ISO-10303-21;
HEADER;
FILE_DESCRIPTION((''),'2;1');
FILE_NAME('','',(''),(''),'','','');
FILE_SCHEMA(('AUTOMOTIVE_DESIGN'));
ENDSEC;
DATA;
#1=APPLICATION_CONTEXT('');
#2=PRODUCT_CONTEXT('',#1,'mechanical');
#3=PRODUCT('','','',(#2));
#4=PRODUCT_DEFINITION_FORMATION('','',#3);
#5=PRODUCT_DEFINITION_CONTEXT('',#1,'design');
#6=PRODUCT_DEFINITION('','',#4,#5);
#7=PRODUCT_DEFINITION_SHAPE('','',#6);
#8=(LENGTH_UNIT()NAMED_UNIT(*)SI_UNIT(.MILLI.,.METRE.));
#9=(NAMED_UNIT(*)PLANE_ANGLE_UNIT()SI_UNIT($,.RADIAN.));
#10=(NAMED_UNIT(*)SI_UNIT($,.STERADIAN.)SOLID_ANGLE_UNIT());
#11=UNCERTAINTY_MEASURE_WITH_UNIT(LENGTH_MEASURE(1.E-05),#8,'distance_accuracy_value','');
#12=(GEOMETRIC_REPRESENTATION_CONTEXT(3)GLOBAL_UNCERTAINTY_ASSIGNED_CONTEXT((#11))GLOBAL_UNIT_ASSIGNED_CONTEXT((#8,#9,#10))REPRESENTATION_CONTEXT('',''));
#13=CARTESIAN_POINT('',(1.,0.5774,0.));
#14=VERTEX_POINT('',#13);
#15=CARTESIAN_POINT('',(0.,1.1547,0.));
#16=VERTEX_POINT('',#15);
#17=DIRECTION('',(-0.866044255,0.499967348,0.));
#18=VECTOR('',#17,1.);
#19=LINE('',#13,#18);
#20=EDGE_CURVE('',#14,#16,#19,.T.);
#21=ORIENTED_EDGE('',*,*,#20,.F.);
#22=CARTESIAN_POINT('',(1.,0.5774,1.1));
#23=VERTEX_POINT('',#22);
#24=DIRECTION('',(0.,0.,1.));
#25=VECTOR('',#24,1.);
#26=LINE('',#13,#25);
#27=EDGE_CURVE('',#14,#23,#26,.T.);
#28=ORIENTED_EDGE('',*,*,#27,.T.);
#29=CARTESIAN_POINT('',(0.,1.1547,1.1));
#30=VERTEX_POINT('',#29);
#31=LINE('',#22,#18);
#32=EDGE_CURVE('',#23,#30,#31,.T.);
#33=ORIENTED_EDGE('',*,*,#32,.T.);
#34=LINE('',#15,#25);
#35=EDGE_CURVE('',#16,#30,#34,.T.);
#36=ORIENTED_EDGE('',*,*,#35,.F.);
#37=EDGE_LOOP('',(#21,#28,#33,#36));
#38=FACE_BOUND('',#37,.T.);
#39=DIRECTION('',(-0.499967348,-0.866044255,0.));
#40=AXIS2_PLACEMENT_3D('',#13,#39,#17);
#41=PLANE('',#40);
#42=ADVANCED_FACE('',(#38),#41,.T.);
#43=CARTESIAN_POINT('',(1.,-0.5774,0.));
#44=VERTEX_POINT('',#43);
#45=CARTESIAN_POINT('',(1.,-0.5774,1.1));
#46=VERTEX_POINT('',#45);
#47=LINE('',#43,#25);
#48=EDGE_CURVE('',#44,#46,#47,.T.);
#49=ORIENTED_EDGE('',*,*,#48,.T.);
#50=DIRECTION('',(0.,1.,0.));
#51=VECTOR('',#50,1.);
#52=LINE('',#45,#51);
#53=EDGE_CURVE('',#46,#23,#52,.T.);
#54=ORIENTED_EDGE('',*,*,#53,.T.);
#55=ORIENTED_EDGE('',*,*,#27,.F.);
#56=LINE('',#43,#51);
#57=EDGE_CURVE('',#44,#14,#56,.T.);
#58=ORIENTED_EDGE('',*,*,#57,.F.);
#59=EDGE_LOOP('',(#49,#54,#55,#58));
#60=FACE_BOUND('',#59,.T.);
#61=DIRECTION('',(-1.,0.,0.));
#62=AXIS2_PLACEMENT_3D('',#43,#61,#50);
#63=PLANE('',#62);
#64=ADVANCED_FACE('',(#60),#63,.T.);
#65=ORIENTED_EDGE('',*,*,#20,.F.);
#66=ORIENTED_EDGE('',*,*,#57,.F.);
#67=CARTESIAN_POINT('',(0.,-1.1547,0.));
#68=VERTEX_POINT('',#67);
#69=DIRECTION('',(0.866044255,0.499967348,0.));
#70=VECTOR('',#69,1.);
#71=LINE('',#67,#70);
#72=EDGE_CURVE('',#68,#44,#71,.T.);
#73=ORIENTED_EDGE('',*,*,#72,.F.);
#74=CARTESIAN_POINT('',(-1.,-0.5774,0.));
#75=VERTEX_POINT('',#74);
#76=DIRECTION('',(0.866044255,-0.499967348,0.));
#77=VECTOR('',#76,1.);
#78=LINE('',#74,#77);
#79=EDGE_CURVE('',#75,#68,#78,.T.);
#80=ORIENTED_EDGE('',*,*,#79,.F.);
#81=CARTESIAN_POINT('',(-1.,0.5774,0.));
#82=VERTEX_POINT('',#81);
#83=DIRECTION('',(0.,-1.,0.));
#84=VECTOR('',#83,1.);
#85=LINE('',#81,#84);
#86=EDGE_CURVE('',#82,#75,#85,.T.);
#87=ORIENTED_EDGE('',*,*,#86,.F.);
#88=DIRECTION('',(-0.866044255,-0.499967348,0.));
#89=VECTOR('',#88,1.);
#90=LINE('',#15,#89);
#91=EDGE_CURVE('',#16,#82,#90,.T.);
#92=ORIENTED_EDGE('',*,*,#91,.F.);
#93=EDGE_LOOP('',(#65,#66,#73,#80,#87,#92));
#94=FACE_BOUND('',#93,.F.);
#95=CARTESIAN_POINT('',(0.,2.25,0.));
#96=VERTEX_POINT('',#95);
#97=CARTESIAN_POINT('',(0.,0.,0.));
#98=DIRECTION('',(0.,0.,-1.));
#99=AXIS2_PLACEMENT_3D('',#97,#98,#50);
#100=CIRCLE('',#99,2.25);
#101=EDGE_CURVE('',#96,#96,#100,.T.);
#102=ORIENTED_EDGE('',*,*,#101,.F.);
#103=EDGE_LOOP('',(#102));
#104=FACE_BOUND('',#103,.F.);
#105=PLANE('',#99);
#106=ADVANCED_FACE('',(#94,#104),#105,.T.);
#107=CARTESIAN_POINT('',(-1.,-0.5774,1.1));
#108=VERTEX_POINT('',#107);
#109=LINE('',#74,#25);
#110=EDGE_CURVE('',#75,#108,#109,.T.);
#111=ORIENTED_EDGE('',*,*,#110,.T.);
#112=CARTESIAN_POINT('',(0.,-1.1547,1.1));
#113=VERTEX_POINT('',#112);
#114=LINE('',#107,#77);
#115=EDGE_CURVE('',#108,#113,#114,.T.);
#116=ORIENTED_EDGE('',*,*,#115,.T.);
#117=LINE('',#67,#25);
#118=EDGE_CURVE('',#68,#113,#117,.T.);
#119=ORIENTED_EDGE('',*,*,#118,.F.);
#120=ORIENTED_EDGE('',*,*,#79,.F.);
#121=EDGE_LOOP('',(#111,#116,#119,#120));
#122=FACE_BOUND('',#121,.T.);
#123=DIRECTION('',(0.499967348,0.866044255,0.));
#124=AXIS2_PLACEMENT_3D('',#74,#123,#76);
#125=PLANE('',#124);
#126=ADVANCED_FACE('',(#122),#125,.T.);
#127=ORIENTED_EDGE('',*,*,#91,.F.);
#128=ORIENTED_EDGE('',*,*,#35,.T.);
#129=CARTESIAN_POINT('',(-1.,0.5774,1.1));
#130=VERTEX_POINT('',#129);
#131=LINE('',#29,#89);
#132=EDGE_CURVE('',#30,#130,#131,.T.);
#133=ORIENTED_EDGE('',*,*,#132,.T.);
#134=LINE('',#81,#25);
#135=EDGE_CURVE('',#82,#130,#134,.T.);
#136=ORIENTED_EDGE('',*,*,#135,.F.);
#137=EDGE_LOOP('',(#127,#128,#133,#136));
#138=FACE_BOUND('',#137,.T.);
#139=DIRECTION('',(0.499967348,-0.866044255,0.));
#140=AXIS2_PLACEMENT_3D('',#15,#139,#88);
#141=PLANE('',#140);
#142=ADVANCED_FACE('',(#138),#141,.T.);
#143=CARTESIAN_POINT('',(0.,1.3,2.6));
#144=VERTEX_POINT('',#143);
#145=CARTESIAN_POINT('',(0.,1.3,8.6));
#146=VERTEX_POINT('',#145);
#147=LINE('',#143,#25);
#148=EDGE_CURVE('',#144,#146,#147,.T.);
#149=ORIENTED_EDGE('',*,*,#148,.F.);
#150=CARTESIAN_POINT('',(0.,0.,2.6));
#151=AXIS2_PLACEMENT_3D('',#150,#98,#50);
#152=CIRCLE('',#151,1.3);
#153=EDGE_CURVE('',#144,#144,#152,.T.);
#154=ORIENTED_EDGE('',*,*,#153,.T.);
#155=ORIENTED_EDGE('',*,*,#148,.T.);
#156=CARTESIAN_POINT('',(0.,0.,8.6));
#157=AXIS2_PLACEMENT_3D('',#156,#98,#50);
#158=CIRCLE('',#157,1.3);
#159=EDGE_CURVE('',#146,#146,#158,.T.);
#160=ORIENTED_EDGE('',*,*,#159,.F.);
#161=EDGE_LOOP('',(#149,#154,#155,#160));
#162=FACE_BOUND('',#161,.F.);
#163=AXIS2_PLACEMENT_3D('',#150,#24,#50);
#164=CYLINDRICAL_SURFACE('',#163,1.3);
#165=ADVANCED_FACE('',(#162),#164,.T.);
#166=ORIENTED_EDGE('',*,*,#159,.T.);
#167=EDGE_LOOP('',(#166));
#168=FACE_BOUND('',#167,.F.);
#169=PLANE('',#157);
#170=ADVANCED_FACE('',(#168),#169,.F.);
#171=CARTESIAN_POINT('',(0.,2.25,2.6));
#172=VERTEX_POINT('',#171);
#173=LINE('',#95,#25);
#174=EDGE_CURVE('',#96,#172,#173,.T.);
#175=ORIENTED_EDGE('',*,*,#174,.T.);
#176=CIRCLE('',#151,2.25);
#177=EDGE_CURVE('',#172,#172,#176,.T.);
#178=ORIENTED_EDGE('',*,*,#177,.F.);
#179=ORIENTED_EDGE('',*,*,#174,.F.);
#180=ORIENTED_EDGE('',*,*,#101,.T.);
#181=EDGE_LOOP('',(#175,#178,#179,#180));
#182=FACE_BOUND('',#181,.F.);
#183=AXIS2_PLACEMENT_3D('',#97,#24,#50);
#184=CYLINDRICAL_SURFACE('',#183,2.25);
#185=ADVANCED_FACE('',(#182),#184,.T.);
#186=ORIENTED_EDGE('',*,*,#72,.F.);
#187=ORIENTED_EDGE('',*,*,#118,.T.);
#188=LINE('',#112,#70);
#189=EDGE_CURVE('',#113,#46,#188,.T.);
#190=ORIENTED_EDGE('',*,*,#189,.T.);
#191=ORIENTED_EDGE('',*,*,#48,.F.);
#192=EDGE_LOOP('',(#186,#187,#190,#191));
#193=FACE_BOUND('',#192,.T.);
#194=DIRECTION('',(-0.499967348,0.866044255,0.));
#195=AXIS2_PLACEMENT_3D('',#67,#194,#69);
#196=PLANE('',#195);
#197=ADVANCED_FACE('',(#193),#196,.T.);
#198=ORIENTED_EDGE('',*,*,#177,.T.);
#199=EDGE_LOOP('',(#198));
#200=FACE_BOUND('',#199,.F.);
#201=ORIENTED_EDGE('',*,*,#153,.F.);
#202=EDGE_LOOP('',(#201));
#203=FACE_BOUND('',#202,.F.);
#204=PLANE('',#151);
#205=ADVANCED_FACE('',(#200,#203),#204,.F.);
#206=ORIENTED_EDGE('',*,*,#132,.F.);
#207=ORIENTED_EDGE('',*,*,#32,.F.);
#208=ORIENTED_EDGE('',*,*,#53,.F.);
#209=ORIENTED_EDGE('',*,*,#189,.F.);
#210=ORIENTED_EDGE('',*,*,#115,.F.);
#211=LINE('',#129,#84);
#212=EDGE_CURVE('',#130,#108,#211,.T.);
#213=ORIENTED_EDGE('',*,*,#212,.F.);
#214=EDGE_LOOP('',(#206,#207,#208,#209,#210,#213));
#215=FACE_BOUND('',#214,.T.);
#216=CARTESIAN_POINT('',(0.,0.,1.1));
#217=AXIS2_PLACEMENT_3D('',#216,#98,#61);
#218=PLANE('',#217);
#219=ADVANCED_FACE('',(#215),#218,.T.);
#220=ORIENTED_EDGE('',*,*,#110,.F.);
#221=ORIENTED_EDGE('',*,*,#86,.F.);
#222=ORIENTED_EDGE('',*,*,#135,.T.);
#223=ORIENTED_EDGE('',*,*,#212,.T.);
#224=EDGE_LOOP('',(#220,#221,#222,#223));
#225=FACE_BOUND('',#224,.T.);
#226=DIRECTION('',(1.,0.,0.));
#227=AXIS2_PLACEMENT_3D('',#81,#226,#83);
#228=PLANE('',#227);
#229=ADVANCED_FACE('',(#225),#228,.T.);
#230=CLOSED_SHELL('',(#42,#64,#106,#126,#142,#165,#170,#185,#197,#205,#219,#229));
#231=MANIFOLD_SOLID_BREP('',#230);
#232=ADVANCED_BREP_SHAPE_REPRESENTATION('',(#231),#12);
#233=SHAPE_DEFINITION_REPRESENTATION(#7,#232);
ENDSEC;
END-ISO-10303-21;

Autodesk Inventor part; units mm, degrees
ref_plane "YZ Plane" through (0, 0, 0) normal (1, 0, 0) x (0, 1, 0)
ref_plane "XZ Plane" through (0, 0, 0) normal (0, 1, 0) x (-1, 0, 0)
ref_plane "XY Plane" through (0, 0, 0) normal (0, 0, 1) x (1, 0, 0)
sketch "スケッチ1" plane through (0, 0, 0) normal (1, 0, 0) x (0, 1, 0)
  line L0 (0, 8.6) -> (0, 0)
  line L1 (0, 0) -> (2.25, 0)
  line L2 (2.25, 0) -> (2.25, 2.6)
  line L3 (2.25, 2.6) -> (1.3, 2.6)
  line L4 (1.3, 2.6) -> (1.3, 8.6)
  line L5 (1.3, 8.6) -> (0, 8.6)
  dimension "d2" = 2.6
  dimension "d10" = 6
  dimension "d11" = 2.6
  dimension "d12" = 4.5
revolve "回転1" add sketch "スケッチ1" angle 360 about axis through (0, 0, 8.6) along (0, 0, -1)
thread "ねじ1" size "M2.6x0.45" class "6g" standard "ANSI Metric M Profile" full length
sketch "スケッチ2" plane through (0, 0, 0) normal (0, 0, -1) x (-1, 0, 0)
  line L0 (0, 1.1547) -> (1, 0.5774)
  line L1 (1, 0.5774) -> (1, -0.5774)
  line L2 (1, -0.5774) -> (0, -1.1547)
  line L3 (0, -1.1547) -> (-1, -0.5774)
  line L4 (-1, -0.5774) -> (-1, 0.5774)
  line L5 (-1, 0.5774) -> (0, 1.1547)
  circle A0 centre (0, 0) radius 2.25 projected
  line L6 (0, 2.25) -> (0, -2.25) construction
  point P0 (0, 0)
  dimension "d7" = 2
extrude "押し出し1" cut sketch "スケッチ2" against normal blind 1.1 contours L0 L1 L2 L3 L4 L5
properties part number "UC-2606" material "ステンレス鋼 AISI 304"
